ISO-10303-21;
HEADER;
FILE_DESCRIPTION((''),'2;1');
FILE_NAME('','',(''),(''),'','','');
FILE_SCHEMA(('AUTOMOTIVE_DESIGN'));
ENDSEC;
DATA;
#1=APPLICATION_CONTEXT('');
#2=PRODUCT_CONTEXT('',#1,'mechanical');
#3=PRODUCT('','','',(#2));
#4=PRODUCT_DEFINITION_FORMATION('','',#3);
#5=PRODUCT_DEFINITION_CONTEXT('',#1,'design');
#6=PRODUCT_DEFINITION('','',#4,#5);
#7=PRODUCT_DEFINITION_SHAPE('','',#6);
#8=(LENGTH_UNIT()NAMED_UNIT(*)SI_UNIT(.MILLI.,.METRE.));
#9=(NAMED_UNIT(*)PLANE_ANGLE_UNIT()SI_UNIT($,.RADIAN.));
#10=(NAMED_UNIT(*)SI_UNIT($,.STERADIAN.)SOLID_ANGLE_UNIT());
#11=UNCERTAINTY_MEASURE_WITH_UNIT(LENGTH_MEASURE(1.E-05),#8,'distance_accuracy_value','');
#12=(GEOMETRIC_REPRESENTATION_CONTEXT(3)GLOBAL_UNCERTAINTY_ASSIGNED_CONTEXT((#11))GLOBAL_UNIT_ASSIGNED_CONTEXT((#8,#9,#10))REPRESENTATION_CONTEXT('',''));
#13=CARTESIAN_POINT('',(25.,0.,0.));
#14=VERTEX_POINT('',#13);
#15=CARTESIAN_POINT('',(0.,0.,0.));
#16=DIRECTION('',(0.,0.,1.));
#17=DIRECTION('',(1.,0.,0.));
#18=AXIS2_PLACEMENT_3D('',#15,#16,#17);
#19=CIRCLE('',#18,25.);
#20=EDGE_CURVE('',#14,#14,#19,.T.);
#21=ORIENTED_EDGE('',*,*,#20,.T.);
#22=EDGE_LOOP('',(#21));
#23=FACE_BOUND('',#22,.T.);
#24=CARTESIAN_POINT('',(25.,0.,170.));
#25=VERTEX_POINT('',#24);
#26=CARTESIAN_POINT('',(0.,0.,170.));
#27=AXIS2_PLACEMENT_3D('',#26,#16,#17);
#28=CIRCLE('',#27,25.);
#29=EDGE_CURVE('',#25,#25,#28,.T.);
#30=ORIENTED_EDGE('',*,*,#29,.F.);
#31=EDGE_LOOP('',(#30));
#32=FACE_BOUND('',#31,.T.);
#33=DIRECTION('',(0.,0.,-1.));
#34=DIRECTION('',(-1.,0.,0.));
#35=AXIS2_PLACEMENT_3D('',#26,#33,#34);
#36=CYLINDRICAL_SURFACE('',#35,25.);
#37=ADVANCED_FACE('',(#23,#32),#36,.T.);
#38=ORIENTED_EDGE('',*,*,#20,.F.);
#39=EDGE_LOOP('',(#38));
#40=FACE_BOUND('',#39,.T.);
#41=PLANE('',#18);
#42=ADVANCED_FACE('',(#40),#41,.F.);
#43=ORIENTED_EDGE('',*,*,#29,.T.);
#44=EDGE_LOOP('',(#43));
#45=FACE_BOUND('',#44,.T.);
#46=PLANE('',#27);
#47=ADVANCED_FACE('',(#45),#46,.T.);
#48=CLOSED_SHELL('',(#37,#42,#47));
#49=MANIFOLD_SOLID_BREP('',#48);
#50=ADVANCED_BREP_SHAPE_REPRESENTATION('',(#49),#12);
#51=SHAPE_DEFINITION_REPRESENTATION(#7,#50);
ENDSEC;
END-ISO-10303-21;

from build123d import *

# Parameters (mm, degrees)
SKETCH1_R           = 25
BOSS_EXTRUDE1_DEPTH = 170


with BuildPart() as part:
    # Sketch1 → Boss-Extrude1 (new body)
    with BuildSketch(Plane.XY):
        Circle(SKETCH1_R)
    extrude(amount=BOSS_EXTRUDE1_DEPTH)


solid = part.part
